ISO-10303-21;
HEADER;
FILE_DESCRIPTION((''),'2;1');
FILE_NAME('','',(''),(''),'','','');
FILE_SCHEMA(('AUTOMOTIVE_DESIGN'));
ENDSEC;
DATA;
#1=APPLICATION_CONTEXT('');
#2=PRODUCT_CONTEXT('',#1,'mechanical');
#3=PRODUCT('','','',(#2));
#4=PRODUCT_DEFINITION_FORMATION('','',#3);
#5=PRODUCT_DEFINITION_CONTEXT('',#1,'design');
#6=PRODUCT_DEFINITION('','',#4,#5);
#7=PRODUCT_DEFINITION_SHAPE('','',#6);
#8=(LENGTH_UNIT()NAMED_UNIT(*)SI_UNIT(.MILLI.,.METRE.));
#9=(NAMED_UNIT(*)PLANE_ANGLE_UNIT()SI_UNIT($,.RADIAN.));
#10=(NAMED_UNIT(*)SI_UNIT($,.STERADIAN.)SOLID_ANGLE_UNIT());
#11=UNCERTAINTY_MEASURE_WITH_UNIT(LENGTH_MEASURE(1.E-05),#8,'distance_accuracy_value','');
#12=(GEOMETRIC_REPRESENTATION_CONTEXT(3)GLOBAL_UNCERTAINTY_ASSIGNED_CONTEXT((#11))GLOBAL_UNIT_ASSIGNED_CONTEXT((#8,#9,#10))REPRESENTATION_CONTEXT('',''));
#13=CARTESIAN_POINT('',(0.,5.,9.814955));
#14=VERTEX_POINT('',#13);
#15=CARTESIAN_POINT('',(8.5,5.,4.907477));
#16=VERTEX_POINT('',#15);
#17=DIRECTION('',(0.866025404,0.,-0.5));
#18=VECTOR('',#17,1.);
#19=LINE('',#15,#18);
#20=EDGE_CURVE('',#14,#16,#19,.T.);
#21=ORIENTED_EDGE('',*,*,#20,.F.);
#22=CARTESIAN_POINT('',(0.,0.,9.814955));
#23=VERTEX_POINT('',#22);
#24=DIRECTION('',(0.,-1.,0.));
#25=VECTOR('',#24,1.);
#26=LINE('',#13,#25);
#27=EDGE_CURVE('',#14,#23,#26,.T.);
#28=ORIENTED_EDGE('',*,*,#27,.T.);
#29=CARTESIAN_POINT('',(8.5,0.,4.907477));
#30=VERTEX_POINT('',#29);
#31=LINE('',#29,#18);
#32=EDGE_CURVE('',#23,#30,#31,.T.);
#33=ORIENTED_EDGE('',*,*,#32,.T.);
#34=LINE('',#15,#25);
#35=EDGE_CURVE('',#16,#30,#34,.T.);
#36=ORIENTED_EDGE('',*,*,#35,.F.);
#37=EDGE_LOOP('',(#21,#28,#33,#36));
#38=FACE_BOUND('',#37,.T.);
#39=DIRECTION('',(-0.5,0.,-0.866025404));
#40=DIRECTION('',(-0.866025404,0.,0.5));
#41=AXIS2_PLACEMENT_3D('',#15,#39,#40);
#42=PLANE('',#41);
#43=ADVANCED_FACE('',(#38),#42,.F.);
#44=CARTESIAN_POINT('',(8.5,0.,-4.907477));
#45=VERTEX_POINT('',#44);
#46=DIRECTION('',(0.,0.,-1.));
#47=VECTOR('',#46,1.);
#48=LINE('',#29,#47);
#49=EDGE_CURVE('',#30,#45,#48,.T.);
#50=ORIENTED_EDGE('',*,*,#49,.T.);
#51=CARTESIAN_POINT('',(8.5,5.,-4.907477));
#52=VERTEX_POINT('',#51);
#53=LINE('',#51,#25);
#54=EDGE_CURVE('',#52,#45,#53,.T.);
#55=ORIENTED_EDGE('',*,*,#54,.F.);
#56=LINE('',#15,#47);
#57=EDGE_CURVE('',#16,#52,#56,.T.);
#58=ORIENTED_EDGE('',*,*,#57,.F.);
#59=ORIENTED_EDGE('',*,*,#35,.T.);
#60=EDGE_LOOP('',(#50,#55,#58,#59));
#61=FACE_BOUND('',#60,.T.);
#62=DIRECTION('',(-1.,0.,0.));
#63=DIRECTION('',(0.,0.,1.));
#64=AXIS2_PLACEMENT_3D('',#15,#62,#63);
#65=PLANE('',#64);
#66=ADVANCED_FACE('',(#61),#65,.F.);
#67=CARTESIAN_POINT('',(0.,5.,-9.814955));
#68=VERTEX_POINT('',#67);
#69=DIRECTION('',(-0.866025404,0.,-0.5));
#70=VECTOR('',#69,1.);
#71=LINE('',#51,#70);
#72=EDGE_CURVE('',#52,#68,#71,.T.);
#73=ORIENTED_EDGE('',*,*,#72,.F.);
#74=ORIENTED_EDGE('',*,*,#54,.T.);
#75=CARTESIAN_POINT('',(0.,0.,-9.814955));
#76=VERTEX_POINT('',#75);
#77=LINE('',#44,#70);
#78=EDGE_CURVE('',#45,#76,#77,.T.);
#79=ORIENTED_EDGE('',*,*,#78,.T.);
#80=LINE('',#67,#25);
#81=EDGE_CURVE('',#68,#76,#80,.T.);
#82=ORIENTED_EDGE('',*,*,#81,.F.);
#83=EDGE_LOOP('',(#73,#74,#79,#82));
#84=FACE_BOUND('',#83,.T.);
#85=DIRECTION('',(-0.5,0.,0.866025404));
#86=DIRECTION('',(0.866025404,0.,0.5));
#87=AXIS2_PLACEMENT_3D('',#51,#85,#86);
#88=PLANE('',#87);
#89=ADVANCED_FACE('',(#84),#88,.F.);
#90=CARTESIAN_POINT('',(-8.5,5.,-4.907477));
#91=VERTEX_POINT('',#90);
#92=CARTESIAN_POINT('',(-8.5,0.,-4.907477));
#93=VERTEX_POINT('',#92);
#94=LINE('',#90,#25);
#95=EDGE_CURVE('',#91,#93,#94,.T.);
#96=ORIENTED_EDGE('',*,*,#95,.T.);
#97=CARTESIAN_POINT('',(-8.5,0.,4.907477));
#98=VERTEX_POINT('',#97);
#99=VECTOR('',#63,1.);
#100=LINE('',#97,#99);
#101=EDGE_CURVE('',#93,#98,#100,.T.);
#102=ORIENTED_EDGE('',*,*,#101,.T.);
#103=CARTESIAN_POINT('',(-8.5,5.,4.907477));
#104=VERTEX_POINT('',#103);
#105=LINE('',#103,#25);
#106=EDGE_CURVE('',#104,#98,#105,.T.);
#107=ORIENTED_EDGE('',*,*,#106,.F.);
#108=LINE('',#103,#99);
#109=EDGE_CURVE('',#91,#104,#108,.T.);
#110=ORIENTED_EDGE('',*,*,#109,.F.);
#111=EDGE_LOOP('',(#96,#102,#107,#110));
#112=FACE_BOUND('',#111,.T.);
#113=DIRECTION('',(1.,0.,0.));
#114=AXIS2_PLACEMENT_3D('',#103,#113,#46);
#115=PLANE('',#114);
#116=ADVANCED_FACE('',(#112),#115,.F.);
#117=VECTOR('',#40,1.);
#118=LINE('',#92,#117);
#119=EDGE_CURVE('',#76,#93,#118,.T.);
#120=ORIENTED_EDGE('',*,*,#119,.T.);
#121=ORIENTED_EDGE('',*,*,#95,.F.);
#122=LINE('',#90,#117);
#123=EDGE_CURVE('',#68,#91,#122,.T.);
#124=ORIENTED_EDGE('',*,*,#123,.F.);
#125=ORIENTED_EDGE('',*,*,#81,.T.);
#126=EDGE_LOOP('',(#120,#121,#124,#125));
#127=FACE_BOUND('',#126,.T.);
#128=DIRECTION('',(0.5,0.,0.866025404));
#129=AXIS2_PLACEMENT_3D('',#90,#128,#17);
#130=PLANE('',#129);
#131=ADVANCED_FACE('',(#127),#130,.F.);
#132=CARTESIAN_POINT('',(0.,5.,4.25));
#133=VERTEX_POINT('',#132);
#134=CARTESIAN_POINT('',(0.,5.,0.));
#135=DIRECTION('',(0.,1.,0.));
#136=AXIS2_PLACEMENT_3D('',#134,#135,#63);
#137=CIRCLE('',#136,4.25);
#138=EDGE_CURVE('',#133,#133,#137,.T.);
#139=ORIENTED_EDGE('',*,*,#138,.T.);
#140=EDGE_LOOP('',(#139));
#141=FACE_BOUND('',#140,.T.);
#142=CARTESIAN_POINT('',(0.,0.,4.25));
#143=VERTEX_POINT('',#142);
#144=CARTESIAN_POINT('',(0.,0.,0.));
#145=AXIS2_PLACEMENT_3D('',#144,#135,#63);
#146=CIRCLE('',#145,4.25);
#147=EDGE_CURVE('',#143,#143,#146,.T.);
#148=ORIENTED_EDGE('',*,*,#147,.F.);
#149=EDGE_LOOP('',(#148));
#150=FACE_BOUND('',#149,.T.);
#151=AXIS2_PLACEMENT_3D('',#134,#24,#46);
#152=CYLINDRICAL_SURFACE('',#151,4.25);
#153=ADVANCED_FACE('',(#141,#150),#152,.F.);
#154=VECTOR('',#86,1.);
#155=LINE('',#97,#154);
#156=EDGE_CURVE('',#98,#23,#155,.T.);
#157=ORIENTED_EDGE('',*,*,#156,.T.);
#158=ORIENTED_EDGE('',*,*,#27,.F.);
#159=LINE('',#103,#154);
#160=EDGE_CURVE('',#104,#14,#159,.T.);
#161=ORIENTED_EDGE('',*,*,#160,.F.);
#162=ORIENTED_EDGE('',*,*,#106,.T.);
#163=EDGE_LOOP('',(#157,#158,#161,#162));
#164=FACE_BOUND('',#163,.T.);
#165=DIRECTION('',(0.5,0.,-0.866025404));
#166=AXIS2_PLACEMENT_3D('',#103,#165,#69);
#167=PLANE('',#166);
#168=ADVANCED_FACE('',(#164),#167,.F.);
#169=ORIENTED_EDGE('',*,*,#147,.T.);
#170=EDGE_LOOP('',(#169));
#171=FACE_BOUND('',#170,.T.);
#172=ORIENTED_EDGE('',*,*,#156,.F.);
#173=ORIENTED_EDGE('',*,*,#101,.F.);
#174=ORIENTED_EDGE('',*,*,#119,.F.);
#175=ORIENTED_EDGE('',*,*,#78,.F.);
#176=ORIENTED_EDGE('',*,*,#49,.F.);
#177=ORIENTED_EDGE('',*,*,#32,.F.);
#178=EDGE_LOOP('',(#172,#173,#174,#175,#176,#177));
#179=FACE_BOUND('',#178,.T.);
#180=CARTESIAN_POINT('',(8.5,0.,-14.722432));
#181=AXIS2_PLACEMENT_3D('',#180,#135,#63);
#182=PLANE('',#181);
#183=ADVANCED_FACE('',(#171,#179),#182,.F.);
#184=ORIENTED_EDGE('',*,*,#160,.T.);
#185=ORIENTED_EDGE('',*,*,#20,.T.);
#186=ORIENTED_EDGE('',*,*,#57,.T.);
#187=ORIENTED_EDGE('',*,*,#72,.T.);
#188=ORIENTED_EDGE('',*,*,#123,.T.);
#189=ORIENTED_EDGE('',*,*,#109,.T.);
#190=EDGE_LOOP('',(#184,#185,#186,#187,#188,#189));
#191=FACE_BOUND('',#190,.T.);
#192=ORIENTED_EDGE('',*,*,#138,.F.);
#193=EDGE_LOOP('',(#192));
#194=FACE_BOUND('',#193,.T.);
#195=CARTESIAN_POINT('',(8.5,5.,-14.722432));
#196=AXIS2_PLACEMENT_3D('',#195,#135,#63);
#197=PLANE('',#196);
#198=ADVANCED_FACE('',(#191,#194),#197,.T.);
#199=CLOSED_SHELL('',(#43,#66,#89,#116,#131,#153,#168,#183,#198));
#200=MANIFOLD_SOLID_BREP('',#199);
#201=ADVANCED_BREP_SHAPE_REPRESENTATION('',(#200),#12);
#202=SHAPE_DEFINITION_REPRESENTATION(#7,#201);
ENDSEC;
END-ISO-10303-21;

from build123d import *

# Parameters (mm, degrees)
NUT_SK_R  = 4.25
NUT_DEPTH = 5


with BuildPart() as part:
    # Nut sk → Nut (new body)
    with BuildSketch(Plane(origin=(0, 0, 0), x_dir=(1, 0, 0), z_dir=(0, 1, 0))):
        Polygon((8.5, -4.907477288), (8.5, 4.907477288), (0, 9.814954576), (-8.5, 4.907477288), (-8.5, -4.907477288), (0, -9.814954576), align=None)
        with Locations(Location((0, 0, 0), (0, 0, 270))):
            Circle(NUT_SK_R, mode=Mode.SUBTRACT)
    extrude(amount=NUT_DEPTH)


solid = part.part
